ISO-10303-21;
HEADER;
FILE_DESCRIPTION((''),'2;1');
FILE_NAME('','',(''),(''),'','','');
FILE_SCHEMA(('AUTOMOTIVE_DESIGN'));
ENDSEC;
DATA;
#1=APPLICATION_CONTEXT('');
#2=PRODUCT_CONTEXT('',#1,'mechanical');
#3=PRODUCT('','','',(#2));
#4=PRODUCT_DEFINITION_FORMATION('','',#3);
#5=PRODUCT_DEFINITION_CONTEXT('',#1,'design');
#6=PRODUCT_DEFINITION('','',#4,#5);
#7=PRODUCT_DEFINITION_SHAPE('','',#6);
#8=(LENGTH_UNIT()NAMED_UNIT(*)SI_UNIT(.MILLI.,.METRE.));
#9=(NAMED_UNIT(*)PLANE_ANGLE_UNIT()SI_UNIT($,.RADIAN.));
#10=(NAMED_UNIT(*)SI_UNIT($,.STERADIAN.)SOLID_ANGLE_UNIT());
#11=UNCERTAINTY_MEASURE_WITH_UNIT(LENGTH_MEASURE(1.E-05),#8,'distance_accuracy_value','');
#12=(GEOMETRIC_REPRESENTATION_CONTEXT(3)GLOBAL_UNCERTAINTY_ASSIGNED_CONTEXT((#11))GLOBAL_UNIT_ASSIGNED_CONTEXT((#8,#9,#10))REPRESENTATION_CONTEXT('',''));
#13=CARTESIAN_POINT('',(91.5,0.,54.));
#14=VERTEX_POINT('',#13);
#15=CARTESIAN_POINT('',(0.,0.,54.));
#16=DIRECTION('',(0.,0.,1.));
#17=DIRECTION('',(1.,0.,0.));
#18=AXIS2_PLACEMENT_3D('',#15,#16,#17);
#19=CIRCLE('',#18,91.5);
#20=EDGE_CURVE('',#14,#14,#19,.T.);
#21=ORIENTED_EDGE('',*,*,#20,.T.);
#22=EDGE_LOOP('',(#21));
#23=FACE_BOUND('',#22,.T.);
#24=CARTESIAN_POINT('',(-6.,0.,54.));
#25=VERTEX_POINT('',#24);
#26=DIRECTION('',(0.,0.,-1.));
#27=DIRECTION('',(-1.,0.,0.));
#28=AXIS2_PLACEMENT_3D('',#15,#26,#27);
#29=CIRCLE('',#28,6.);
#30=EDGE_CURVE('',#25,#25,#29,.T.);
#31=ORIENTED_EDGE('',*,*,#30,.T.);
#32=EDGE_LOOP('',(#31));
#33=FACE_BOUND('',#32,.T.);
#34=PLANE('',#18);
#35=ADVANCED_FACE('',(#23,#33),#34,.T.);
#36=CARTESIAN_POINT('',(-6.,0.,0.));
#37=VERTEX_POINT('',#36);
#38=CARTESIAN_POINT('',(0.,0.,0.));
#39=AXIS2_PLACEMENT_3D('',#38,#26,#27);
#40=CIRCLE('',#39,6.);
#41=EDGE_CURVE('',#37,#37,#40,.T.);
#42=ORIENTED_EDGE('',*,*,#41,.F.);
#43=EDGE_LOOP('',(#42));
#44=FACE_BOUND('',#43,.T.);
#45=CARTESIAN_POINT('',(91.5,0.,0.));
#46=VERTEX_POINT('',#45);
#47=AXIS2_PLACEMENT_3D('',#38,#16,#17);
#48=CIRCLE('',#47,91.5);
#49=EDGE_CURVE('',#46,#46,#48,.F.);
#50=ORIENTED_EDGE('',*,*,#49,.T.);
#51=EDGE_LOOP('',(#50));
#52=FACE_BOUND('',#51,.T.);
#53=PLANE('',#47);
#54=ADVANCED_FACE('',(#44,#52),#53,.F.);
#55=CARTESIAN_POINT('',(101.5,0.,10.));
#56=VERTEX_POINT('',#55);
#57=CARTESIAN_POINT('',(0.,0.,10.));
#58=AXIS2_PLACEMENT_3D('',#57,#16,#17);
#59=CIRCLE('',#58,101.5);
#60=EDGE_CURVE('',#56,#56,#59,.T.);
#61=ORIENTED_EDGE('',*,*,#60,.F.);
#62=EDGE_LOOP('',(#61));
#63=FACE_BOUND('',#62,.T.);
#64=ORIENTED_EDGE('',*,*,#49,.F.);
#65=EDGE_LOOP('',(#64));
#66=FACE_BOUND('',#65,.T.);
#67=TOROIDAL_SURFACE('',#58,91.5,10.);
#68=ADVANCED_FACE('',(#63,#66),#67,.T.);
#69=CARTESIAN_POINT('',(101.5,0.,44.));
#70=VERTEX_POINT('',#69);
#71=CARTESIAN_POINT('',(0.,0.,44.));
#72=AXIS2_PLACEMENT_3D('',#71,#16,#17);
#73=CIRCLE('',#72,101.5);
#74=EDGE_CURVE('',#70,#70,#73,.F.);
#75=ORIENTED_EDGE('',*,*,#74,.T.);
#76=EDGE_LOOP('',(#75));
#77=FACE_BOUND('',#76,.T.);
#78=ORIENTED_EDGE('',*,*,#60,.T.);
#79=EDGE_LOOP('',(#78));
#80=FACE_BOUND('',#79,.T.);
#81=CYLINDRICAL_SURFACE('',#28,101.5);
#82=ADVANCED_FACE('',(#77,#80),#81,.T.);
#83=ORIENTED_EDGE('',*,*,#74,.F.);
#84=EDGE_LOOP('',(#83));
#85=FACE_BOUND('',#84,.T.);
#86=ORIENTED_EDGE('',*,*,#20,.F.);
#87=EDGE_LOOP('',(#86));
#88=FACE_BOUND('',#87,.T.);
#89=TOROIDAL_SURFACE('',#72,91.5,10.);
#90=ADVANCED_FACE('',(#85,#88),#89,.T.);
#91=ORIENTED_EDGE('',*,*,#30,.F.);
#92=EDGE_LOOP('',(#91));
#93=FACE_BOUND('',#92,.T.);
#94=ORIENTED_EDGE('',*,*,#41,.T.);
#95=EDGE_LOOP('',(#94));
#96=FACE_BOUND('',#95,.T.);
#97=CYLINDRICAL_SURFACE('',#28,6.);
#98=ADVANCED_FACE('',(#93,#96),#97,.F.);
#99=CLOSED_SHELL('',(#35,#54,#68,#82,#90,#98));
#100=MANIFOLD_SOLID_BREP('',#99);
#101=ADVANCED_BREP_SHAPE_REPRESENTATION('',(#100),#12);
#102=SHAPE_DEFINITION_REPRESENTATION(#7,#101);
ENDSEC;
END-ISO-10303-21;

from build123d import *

# Parameters (mm, degrees)
SKETCH_1_R          = 101.5
EXTRUDE_1_DEPTH     = 54
FILLET_1_R          = 10
SKETCH_2_R          = 6
CUT_EXTRUDE_1_DEPTH = 54


with BuildPart() as part:
    # 草圖1 → 填料-伸長1 (new body)
    with BuildSketch(Plane.XY):
        Circle(SKETCH_1_R)
    extrude(amount=EXTRUDE_1_DEPTH)

    # 圓角1
    fillet_1_edges = [part.edges().sort_by_distance(p)[0] for p in [
        (-101.5, 0, 0),
        (-101.5, 0, 54),
    ]]
    fillet(fillet_1_edges, radius=FILLET_1_R)

    # 草圖2 → 除料-伸長1 (cut)
    with BuildSketch(Plane(origin=(0, 0, 0), x_dir=(-1, 0, 0), z_dir=(0, 0, -1))):
        Circle(SKETCH_2_R)
    extrude(amount=-CUT_EXTRUDE_1_DEPTH, mode=Mode.SUBTRACT)


solid = part.part
